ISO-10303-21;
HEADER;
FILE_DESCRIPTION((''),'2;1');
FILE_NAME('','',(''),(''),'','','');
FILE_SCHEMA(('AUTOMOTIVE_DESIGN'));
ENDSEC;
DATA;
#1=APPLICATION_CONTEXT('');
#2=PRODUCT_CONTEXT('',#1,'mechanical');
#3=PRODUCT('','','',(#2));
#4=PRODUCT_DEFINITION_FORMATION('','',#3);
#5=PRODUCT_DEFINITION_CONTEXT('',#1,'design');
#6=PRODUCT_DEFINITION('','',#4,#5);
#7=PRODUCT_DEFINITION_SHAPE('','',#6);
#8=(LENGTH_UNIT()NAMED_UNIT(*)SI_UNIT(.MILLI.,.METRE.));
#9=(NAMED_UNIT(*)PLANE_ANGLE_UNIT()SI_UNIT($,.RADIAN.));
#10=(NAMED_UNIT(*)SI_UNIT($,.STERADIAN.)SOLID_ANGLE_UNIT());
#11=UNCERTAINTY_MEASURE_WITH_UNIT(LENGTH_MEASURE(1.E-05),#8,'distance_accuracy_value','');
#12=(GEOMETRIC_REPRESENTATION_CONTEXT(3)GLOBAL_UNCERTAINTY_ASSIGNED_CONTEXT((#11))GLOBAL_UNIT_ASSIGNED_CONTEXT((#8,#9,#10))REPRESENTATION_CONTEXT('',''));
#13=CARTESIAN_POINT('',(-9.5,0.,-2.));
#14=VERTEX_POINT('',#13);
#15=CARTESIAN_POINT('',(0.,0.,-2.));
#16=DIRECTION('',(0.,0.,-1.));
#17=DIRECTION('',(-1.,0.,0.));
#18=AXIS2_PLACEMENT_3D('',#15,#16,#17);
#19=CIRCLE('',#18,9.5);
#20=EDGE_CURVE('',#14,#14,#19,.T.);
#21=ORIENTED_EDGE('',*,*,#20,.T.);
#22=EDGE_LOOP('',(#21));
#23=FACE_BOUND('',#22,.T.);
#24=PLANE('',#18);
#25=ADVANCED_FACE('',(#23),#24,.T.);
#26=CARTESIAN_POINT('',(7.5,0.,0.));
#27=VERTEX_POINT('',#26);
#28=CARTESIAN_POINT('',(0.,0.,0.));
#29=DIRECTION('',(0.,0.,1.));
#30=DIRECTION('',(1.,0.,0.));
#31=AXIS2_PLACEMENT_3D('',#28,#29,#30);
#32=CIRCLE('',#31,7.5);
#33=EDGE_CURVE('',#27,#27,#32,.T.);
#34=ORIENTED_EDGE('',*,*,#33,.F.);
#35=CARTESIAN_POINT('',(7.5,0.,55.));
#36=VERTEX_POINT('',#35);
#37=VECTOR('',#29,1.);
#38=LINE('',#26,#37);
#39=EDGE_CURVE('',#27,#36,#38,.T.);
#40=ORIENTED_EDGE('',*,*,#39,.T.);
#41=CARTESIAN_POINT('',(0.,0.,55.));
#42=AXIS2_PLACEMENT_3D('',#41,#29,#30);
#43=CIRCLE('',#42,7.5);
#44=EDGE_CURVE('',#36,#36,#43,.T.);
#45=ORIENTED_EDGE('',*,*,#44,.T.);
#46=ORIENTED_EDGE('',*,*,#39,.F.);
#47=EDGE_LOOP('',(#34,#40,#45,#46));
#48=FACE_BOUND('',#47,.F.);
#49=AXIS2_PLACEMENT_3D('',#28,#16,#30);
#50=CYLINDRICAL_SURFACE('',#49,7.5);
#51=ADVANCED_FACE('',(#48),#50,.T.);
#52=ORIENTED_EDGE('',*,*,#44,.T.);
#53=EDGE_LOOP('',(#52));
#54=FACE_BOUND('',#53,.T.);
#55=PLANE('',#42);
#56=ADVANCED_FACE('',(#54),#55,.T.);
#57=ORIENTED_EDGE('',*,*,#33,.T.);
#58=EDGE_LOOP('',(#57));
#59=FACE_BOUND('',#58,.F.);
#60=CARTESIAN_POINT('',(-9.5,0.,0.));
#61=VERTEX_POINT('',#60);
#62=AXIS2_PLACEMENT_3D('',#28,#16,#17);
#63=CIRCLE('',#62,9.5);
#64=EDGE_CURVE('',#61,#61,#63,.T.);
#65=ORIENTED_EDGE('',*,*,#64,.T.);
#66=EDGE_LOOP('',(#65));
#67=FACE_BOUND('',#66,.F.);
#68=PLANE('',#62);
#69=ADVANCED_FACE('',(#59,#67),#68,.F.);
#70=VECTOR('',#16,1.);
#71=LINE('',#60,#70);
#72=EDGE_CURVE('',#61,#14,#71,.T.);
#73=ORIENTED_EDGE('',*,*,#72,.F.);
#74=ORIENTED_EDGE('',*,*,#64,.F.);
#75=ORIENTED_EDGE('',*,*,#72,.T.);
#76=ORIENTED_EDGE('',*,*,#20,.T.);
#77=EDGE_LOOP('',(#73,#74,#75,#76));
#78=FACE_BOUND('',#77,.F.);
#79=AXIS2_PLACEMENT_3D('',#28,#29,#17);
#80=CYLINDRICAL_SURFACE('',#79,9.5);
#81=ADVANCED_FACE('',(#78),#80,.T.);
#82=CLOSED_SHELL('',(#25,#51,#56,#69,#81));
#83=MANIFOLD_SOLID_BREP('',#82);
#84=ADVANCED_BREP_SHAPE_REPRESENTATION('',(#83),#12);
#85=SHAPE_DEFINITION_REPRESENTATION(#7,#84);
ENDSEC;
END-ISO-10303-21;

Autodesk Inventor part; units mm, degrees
ref_plane "YZ Plane" through (0, 0, 0) normal (1, 0, 0) x (0, 1, 0)
ref_plane "XZ Plane" through (0, 0, 0) normal (0, 1, 0) x (-1, 0, 0)
ref_plane "XY Plane" through (0, 0, 0) normal (0, 0, 1) x (1, 0, 0)
sketch "Sketch1" plane through (0, 0, 0) normal (0, 0, 1) x (1, 0, 0)
  circle A0 centre (0, 0) radius 7.5
  dimension "d0" = 15
extrude "Extrusion1" add sketch "Sketch1" along normal blind 55
sketch "Sketch2" plane through (0, 0, 0) normal (0, 0, -1) x (-1, 0, 0)
  circle A0 centre (0, 0) radius 9.5
  dimension "d3" = 19
extrude "Extrusion2" add sketch "Sketch2" along normal blind 2
properties part number "Randomization Stick"
